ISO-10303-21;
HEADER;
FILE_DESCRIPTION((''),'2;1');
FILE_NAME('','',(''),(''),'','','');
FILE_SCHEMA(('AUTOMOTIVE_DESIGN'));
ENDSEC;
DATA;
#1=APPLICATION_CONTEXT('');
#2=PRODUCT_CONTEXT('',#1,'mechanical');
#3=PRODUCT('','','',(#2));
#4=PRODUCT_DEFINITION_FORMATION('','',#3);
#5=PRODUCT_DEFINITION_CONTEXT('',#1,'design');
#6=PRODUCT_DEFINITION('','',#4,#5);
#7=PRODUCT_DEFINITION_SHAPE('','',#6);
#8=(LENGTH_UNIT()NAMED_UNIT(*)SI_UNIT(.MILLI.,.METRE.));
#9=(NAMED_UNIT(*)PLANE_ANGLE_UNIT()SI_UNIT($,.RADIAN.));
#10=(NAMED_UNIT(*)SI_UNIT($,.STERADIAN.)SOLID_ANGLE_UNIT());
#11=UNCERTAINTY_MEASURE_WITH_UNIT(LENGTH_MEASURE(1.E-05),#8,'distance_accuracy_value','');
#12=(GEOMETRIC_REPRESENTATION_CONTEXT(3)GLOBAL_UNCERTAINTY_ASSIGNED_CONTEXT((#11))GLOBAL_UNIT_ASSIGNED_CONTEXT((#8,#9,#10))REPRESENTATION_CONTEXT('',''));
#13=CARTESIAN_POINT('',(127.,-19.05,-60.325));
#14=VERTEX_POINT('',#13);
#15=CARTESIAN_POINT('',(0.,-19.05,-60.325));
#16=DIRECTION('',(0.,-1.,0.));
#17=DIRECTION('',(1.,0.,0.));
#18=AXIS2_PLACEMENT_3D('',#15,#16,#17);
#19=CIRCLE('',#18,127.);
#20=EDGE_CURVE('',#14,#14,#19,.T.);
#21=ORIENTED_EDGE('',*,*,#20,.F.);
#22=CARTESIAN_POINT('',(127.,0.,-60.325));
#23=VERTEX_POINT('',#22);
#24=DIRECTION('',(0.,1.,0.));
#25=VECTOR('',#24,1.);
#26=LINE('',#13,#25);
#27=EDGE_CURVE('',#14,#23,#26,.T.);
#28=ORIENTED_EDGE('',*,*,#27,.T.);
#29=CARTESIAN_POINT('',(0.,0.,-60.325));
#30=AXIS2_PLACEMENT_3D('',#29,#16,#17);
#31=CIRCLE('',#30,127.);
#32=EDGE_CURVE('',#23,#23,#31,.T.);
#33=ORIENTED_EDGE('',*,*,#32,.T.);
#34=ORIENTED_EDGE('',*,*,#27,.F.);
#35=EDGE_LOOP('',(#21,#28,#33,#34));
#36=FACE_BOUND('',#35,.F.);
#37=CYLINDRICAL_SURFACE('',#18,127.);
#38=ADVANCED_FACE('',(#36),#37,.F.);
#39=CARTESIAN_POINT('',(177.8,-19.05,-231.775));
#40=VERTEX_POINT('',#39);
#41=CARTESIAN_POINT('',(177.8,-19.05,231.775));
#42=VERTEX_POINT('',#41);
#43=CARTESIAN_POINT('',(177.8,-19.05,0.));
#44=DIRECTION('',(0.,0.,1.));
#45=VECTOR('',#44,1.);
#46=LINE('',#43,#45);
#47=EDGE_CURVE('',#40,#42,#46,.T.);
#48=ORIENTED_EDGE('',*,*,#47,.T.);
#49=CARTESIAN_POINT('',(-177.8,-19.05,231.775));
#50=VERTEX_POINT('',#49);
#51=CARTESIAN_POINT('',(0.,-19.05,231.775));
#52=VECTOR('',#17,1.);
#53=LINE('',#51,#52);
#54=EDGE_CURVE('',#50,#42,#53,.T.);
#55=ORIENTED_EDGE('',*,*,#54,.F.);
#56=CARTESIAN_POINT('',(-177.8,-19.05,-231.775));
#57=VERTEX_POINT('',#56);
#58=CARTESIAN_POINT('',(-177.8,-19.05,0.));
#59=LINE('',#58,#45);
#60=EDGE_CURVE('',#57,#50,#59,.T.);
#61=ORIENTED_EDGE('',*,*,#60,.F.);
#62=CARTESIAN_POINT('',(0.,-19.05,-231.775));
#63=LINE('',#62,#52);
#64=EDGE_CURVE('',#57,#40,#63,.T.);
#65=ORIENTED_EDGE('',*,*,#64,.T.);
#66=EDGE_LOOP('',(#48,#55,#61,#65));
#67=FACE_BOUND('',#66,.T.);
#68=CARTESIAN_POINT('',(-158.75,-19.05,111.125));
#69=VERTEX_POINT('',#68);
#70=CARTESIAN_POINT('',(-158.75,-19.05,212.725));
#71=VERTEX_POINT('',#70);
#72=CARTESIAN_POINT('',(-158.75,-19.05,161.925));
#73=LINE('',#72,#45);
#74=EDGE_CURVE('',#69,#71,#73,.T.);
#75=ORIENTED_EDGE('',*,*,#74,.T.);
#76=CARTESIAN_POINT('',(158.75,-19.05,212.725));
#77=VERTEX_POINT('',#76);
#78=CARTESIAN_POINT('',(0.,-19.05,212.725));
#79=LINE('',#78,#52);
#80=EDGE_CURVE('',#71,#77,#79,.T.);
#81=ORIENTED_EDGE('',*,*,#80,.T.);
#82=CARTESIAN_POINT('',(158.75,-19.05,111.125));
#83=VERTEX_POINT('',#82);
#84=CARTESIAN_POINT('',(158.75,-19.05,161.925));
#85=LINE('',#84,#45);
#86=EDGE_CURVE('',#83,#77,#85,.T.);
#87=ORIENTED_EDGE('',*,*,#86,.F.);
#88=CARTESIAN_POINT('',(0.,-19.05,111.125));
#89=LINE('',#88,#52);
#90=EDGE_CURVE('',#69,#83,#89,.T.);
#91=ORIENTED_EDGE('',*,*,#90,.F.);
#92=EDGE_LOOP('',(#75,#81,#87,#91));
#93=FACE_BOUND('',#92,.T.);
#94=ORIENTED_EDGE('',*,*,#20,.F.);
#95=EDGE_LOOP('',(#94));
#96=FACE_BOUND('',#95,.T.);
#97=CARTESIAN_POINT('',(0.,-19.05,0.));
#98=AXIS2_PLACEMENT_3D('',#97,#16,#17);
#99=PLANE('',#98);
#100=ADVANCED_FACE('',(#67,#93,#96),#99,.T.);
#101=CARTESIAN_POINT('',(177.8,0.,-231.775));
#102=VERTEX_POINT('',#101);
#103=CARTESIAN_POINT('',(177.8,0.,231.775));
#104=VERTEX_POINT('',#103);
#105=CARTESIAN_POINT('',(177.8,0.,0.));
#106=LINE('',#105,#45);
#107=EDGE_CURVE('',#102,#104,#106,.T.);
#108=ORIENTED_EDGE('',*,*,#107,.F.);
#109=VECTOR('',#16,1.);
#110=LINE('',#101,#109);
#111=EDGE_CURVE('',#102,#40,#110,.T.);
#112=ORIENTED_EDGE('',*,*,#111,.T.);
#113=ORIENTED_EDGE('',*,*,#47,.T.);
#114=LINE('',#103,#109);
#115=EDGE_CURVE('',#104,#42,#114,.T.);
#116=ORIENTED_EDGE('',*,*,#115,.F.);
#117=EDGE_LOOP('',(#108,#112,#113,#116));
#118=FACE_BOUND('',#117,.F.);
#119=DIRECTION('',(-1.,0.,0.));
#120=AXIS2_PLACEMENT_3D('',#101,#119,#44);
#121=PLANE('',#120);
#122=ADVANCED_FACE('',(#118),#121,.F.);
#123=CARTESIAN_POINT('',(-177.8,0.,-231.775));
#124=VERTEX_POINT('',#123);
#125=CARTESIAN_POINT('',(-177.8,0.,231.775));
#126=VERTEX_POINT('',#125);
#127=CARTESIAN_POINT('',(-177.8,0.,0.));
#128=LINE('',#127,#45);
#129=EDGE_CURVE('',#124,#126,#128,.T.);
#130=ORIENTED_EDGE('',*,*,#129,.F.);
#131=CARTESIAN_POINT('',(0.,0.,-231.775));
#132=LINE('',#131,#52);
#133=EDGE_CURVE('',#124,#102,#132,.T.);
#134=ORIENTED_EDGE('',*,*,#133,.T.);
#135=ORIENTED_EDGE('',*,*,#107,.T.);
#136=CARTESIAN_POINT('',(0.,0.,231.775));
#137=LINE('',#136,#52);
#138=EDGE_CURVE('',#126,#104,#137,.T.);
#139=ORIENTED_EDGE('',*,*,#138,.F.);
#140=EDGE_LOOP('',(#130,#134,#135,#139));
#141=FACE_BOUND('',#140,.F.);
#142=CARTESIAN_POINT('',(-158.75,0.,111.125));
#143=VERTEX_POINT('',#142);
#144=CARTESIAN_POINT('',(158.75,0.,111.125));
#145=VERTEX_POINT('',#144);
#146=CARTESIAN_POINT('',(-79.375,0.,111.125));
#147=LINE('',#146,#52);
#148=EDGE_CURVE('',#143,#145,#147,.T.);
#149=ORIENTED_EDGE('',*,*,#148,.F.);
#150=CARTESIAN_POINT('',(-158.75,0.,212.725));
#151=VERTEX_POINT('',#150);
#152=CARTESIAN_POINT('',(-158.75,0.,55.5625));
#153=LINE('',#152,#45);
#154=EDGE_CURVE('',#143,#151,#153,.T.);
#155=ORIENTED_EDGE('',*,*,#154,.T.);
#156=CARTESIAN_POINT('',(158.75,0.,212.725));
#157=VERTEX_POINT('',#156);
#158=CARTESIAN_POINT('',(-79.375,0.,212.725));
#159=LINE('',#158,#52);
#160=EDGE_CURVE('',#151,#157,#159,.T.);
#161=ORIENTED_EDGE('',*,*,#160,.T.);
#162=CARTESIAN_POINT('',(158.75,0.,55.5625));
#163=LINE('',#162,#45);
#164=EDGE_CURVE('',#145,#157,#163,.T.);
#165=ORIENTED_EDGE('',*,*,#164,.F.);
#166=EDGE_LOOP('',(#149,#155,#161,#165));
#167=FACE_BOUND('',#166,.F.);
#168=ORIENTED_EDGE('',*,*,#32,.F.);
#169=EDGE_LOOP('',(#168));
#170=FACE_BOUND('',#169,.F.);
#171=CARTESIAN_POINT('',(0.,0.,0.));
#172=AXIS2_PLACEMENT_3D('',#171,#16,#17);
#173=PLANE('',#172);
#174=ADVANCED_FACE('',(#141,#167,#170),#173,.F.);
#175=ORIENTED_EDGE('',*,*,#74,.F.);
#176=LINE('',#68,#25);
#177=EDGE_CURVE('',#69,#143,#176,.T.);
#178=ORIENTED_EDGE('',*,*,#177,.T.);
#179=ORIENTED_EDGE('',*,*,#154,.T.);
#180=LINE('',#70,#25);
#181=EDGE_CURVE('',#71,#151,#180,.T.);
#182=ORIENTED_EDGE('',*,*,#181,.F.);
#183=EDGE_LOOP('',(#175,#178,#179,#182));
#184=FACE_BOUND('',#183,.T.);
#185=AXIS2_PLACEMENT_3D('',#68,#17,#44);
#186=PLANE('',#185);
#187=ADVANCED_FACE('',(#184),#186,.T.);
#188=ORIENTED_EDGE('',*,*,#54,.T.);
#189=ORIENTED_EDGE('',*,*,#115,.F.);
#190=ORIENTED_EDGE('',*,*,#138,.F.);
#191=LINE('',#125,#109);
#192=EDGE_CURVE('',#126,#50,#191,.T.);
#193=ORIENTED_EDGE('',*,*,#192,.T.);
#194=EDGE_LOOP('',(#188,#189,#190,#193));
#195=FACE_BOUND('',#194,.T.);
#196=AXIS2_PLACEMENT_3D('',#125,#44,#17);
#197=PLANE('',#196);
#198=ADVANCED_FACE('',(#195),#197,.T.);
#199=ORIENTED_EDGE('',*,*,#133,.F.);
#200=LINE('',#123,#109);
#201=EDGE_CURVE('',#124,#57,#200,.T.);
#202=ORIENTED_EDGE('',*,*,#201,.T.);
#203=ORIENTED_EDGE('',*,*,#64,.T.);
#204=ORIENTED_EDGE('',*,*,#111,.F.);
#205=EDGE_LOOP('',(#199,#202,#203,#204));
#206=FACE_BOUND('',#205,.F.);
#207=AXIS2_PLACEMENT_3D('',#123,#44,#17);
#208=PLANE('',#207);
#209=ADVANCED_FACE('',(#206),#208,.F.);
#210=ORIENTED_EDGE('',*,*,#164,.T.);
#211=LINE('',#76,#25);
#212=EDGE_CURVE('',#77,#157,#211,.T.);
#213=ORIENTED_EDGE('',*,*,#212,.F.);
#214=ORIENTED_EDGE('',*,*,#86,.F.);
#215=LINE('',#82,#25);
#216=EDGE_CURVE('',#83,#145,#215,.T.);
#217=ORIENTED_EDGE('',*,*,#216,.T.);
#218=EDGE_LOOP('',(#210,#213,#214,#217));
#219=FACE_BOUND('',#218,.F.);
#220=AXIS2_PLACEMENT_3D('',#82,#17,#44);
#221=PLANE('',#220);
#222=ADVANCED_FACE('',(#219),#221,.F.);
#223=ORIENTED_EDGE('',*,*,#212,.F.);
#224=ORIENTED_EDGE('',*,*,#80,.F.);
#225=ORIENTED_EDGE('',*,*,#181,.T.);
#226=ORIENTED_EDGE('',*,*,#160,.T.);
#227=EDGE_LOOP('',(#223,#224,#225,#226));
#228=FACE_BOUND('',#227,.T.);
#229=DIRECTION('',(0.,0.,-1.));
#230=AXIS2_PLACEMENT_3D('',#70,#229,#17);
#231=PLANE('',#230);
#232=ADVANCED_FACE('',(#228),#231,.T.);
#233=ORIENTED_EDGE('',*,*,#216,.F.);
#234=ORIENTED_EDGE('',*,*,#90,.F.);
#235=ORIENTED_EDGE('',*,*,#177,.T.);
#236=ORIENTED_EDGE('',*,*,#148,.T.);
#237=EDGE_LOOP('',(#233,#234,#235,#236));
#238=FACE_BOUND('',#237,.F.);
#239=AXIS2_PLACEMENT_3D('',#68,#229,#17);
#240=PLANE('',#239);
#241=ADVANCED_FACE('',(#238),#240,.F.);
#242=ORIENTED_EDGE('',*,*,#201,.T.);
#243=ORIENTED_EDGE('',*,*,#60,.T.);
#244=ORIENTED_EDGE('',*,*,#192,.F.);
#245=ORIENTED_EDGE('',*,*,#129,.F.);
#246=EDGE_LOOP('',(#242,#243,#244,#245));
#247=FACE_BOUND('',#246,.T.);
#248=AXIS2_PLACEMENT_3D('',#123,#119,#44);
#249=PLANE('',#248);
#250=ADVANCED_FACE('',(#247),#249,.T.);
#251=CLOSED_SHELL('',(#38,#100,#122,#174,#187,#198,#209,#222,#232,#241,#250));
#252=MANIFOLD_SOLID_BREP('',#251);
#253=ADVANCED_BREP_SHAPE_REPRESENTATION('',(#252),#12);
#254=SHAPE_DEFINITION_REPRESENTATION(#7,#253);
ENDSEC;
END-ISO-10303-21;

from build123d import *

# Parameters (mm, degrees)
F0_W     = 355.6
F0_H     = 463.55
F1_DEPTH = 19.05
F2_W     = 317.5
F2_H     = 101.6
F3_DEPTH = 19.051
F4_R     = 127
F5_DEPTH = 19.051


with BuildPart() as f1:
    # F0 (on Front) → F1 (new body)
    with BuildSketch(Plane.XZ):
        Rectangle(F0_W, F0_H)
    extrude(amount=F1_DEPTH)

    # F2 (on face) → F3 (cut, through all)
    with BuildSketch(Plane.XZ.offset(19.05)):
        with Locations((0, 161.925)):
            Rectangle(F2_W, F2_H)
    extrude(amount=-F3_DEPTH, mode=Mode.SUBTRACT)

    # F4 (on face) → F5 (cut, through all)
    with BuildSketch(Plane.XZ.offset(19.05)):
        with Locations((0, -60.325)):
            Circle(F4_R)
    extrude(amount=-F5_DEPTH, mode=Mode.SUBTRACT)


solid = f1.part
